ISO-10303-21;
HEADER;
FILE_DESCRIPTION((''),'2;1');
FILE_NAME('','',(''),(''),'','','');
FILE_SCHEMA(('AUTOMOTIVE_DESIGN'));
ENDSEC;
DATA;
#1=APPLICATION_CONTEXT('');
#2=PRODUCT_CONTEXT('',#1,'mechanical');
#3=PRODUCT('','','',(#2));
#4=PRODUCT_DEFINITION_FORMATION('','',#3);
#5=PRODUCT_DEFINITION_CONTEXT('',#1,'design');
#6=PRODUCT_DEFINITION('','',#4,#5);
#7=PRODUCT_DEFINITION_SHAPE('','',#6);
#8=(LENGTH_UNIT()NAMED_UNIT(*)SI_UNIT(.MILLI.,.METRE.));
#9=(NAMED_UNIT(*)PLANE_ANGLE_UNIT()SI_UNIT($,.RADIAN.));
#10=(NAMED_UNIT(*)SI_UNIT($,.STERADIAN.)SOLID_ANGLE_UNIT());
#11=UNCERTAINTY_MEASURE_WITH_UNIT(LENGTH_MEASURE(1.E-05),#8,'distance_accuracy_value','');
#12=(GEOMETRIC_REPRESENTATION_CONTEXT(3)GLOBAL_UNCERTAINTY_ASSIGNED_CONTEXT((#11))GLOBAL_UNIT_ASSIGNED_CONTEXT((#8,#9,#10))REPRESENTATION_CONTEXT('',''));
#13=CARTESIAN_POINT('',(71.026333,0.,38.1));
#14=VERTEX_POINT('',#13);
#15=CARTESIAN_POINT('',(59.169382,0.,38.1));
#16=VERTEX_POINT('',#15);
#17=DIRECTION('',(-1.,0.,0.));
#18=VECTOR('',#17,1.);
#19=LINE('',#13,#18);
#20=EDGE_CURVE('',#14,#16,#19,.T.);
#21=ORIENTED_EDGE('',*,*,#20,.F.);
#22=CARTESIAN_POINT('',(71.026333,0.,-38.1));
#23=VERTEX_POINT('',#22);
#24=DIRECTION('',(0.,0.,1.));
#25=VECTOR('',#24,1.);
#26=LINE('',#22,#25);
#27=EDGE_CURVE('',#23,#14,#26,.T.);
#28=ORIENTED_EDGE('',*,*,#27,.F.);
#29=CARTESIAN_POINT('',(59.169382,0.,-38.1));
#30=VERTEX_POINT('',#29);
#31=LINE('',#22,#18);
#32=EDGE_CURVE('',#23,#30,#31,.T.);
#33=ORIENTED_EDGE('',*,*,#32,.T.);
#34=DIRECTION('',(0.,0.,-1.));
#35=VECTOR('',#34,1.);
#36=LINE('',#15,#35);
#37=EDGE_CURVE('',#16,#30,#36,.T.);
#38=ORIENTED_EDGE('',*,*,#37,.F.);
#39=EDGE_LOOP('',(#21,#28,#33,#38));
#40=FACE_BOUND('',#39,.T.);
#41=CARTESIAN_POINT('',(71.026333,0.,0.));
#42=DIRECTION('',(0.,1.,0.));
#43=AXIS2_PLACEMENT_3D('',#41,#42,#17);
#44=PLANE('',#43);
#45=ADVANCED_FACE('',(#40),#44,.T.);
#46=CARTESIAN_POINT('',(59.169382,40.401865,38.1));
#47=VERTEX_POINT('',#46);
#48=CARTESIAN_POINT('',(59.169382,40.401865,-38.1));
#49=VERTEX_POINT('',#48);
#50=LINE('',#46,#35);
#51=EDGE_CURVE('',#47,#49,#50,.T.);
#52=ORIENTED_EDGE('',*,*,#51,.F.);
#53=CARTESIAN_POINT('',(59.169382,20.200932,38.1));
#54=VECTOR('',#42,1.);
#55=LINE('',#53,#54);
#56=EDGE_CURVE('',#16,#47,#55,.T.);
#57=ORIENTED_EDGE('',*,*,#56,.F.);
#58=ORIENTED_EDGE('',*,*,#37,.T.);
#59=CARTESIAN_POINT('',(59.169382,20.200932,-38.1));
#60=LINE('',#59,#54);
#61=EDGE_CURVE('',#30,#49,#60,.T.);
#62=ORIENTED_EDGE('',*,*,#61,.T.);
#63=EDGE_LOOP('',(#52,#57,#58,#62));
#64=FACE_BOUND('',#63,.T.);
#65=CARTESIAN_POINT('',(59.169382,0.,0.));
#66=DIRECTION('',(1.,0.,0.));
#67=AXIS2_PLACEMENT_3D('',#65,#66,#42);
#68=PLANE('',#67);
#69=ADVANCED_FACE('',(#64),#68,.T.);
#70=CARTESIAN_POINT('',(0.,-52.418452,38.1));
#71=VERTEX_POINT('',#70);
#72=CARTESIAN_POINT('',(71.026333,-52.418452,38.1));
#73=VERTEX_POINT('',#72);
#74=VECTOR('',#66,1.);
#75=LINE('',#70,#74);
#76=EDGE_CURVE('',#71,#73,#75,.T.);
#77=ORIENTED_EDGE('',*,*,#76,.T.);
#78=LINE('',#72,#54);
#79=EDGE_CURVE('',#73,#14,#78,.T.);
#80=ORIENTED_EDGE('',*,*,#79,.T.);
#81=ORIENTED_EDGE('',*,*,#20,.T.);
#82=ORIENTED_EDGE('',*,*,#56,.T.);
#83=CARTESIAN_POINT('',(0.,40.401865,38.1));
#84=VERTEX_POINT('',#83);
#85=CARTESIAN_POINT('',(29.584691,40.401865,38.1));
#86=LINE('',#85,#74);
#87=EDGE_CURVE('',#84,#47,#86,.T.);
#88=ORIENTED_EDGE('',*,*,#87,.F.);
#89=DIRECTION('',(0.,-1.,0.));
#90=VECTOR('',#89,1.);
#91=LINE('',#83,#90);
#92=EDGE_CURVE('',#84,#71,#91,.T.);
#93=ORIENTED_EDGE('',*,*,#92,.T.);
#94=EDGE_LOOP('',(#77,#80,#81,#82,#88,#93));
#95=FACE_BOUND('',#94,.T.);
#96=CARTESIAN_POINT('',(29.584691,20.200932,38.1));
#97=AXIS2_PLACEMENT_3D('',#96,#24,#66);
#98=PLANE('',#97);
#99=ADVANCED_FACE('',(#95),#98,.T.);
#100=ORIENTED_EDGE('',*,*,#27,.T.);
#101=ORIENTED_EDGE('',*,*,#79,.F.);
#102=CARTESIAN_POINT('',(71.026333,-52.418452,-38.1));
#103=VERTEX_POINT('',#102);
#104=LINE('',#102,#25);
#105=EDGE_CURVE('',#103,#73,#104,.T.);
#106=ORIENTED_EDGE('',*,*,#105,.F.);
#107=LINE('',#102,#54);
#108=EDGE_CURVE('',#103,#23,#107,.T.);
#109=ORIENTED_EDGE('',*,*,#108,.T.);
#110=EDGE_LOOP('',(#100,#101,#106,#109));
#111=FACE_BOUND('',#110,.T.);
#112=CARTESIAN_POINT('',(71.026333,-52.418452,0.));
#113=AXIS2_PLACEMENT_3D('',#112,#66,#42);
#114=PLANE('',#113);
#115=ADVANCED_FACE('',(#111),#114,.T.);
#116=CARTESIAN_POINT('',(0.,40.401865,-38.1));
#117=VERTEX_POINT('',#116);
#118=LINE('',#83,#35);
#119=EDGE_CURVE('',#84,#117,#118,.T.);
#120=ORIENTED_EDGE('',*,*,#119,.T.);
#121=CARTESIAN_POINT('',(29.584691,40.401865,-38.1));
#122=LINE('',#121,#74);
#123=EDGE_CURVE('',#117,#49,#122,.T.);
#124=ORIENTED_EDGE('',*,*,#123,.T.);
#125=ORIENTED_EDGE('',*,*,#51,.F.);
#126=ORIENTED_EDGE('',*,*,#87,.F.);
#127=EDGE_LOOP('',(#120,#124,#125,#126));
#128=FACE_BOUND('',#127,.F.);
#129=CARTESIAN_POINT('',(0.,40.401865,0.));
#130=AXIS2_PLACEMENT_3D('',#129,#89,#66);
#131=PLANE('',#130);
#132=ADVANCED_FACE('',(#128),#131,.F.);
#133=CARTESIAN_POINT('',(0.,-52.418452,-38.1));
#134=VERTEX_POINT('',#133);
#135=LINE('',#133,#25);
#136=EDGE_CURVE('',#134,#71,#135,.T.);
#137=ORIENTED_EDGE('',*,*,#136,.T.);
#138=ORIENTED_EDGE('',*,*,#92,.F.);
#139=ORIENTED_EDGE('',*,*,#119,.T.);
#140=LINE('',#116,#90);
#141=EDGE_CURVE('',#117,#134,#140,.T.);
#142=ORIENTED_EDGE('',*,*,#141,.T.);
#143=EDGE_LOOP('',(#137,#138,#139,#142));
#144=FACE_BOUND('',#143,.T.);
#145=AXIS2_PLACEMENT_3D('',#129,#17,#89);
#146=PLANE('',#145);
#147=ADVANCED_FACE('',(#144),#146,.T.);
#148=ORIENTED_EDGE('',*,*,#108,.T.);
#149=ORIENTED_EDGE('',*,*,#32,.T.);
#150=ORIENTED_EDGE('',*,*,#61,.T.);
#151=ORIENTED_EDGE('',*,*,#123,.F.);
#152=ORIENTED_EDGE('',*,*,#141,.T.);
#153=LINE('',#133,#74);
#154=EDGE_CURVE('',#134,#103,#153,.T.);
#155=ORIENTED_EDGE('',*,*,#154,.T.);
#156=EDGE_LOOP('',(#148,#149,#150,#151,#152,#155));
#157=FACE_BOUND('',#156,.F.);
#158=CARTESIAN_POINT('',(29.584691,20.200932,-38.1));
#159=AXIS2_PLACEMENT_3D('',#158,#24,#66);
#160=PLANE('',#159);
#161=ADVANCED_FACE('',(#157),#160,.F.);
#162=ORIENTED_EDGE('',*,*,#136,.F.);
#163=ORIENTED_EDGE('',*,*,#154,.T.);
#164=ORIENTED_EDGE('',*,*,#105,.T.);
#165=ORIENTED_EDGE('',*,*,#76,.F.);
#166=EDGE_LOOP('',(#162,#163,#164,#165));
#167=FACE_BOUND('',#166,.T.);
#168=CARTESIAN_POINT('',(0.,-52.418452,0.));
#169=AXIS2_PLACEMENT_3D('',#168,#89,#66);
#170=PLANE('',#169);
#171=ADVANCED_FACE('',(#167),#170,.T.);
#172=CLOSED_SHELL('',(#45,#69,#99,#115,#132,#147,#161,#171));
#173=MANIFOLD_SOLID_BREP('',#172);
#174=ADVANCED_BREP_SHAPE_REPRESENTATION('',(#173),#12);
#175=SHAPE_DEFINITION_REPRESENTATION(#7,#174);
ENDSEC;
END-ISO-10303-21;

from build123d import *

# Parameters (mm, degrees)
F0_W     = 59.1693818569
F0_H     = 40.4018647969
F1_DEPTH = 38.1


with BuildPart() as f1:
    # F0 (on Top) → F1 (new body, symmetric)
    with BuildSketch(Plane.XY):
        with Locations((29.5846909285, 20.2009323984)):
            Rectangle(F0_W, F0_H)
        Polygon((59.1693818569, 0), (0, 0), (0, -52.4184517562), (71.0263326764, -52.4184517562), (71.0263326764, 0), align=None)
    extrude(amount=F1_DEPTH, both=True)


solid = f1.part
